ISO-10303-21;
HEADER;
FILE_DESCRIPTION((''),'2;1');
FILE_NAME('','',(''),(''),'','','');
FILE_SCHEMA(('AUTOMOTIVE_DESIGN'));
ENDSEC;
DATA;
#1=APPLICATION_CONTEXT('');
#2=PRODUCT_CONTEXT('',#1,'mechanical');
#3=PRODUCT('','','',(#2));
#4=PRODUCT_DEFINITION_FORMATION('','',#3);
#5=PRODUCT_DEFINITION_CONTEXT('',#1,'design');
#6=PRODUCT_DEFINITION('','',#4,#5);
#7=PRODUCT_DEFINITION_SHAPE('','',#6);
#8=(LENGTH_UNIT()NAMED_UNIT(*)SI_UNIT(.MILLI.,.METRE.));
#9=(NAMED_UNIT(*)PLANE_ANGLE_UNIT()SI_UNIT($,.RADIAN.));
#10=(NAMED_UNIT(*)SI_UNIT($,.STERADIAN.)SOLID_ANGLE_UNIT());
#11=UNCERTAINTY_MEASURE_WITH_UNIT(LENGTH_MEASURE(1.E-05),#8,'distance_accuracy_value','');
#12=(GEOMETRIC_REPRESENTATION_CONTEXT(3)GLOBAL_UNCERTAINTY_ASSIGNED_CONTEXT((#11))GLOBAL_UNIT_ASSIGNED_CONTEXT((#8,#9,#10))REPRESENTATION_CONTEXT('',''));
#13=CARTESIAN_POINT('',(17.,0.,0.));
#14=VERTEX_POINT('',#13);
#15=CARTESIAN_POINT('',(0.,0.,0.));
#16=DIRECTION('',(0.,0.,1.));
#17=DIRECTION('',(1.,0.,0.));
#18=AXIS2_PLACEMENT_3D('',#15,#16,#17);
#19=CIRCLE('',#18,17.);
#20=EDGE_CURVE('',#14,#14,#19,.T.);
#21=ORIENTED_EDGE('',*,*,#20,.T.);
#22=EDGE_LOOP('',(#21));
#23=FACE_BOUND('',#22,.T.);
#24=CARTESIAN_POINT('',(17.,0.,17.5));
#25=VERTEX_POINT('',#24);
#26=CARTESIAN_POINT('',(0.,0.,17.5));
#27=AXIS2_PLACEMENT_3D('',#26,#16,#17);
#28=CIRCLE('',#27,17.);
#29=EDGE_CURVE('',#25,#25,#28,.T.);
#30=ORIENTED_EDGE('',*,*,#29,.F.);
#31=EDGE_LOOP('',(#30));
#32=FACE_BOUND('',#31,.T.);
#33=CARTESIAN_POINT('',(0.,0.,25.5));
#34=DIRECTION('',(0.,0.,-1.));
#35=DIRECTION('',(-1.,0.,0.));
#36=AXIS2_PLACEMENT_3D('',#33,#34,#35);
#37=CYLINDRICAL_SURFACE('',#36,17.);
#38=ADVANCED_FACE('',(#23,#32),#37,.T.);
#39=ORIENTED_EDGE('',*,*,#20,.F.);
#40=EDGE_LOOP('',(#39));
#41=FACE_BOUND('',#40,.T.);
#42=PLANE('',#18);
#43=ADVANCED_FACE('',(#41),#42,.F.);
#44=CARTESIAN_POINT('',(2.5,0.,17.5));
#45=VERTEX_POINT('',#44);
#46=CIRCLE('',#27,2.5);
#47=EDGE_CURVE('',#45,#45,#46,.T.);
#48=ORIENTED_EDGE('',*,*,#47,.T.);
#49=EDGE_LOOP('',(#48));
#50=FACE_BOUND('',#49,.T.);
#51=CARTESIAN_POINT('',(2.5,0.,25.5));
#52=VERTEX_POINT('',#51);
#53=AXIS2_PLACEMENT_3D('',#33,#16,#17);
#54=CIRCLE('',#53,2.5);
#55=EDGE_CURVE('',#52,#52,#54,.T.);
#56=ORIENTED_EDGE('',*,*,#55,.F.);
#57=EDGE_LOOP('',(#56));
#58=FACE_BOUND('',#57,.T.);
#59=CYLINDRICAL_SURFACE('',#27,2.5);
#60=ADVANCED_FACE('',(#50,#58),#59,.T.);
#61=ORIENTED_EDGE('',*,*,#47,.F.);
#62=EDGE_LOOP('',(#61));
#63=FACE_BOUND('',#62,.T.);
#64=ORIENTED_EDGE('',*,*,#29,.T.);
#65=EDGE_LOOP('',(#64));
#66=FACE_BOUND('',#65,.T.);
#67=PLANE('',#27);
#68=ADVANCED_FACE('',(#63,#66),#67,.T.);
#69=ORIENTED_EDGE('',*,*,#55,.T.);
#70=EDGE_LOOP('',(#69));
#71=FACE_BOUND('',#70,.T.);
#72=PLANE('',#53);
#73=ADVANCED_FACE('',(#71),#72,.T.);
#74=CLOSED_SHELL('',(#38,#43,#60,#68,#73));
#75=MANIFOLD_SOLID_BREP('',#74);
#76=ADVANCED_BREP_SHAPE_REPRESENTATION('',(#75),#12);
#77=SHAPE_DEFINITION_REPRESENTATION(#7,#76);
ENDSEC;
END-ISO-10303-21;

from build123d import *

# Parameters (mm, degrees)
SKETCH1_R           = 17
BOSS_EXTRUDE1_DEPTH = 25.5
SKETCH2_R           = 17
SKETCH2_R_2         = 2.5
CUT_EXTRUDE1_DEPTH  = 8


with BuildPart() as part:
    # Sketch1 → Boss-Extrude1 (new body)
    with BuildSketch(Plane.XY):
        Circle(SKETCH1_R)
    extrude(amount=BOSS_EXTRUDE1_DEPTH)

    # Sketch2 → Cut-Extrude1 (cut)
    with BuildSketch(Plane.XY.offset(25.5)):
        Circle(SKETCH2_R)
        Circle(SKETCH2_R_2, mode=Mode.SUBTRACT)
    extrude(amount=-CUT_EXTRUDE1_DEPTH, mode=Mode.SUBTRACT)


solid = part.part
